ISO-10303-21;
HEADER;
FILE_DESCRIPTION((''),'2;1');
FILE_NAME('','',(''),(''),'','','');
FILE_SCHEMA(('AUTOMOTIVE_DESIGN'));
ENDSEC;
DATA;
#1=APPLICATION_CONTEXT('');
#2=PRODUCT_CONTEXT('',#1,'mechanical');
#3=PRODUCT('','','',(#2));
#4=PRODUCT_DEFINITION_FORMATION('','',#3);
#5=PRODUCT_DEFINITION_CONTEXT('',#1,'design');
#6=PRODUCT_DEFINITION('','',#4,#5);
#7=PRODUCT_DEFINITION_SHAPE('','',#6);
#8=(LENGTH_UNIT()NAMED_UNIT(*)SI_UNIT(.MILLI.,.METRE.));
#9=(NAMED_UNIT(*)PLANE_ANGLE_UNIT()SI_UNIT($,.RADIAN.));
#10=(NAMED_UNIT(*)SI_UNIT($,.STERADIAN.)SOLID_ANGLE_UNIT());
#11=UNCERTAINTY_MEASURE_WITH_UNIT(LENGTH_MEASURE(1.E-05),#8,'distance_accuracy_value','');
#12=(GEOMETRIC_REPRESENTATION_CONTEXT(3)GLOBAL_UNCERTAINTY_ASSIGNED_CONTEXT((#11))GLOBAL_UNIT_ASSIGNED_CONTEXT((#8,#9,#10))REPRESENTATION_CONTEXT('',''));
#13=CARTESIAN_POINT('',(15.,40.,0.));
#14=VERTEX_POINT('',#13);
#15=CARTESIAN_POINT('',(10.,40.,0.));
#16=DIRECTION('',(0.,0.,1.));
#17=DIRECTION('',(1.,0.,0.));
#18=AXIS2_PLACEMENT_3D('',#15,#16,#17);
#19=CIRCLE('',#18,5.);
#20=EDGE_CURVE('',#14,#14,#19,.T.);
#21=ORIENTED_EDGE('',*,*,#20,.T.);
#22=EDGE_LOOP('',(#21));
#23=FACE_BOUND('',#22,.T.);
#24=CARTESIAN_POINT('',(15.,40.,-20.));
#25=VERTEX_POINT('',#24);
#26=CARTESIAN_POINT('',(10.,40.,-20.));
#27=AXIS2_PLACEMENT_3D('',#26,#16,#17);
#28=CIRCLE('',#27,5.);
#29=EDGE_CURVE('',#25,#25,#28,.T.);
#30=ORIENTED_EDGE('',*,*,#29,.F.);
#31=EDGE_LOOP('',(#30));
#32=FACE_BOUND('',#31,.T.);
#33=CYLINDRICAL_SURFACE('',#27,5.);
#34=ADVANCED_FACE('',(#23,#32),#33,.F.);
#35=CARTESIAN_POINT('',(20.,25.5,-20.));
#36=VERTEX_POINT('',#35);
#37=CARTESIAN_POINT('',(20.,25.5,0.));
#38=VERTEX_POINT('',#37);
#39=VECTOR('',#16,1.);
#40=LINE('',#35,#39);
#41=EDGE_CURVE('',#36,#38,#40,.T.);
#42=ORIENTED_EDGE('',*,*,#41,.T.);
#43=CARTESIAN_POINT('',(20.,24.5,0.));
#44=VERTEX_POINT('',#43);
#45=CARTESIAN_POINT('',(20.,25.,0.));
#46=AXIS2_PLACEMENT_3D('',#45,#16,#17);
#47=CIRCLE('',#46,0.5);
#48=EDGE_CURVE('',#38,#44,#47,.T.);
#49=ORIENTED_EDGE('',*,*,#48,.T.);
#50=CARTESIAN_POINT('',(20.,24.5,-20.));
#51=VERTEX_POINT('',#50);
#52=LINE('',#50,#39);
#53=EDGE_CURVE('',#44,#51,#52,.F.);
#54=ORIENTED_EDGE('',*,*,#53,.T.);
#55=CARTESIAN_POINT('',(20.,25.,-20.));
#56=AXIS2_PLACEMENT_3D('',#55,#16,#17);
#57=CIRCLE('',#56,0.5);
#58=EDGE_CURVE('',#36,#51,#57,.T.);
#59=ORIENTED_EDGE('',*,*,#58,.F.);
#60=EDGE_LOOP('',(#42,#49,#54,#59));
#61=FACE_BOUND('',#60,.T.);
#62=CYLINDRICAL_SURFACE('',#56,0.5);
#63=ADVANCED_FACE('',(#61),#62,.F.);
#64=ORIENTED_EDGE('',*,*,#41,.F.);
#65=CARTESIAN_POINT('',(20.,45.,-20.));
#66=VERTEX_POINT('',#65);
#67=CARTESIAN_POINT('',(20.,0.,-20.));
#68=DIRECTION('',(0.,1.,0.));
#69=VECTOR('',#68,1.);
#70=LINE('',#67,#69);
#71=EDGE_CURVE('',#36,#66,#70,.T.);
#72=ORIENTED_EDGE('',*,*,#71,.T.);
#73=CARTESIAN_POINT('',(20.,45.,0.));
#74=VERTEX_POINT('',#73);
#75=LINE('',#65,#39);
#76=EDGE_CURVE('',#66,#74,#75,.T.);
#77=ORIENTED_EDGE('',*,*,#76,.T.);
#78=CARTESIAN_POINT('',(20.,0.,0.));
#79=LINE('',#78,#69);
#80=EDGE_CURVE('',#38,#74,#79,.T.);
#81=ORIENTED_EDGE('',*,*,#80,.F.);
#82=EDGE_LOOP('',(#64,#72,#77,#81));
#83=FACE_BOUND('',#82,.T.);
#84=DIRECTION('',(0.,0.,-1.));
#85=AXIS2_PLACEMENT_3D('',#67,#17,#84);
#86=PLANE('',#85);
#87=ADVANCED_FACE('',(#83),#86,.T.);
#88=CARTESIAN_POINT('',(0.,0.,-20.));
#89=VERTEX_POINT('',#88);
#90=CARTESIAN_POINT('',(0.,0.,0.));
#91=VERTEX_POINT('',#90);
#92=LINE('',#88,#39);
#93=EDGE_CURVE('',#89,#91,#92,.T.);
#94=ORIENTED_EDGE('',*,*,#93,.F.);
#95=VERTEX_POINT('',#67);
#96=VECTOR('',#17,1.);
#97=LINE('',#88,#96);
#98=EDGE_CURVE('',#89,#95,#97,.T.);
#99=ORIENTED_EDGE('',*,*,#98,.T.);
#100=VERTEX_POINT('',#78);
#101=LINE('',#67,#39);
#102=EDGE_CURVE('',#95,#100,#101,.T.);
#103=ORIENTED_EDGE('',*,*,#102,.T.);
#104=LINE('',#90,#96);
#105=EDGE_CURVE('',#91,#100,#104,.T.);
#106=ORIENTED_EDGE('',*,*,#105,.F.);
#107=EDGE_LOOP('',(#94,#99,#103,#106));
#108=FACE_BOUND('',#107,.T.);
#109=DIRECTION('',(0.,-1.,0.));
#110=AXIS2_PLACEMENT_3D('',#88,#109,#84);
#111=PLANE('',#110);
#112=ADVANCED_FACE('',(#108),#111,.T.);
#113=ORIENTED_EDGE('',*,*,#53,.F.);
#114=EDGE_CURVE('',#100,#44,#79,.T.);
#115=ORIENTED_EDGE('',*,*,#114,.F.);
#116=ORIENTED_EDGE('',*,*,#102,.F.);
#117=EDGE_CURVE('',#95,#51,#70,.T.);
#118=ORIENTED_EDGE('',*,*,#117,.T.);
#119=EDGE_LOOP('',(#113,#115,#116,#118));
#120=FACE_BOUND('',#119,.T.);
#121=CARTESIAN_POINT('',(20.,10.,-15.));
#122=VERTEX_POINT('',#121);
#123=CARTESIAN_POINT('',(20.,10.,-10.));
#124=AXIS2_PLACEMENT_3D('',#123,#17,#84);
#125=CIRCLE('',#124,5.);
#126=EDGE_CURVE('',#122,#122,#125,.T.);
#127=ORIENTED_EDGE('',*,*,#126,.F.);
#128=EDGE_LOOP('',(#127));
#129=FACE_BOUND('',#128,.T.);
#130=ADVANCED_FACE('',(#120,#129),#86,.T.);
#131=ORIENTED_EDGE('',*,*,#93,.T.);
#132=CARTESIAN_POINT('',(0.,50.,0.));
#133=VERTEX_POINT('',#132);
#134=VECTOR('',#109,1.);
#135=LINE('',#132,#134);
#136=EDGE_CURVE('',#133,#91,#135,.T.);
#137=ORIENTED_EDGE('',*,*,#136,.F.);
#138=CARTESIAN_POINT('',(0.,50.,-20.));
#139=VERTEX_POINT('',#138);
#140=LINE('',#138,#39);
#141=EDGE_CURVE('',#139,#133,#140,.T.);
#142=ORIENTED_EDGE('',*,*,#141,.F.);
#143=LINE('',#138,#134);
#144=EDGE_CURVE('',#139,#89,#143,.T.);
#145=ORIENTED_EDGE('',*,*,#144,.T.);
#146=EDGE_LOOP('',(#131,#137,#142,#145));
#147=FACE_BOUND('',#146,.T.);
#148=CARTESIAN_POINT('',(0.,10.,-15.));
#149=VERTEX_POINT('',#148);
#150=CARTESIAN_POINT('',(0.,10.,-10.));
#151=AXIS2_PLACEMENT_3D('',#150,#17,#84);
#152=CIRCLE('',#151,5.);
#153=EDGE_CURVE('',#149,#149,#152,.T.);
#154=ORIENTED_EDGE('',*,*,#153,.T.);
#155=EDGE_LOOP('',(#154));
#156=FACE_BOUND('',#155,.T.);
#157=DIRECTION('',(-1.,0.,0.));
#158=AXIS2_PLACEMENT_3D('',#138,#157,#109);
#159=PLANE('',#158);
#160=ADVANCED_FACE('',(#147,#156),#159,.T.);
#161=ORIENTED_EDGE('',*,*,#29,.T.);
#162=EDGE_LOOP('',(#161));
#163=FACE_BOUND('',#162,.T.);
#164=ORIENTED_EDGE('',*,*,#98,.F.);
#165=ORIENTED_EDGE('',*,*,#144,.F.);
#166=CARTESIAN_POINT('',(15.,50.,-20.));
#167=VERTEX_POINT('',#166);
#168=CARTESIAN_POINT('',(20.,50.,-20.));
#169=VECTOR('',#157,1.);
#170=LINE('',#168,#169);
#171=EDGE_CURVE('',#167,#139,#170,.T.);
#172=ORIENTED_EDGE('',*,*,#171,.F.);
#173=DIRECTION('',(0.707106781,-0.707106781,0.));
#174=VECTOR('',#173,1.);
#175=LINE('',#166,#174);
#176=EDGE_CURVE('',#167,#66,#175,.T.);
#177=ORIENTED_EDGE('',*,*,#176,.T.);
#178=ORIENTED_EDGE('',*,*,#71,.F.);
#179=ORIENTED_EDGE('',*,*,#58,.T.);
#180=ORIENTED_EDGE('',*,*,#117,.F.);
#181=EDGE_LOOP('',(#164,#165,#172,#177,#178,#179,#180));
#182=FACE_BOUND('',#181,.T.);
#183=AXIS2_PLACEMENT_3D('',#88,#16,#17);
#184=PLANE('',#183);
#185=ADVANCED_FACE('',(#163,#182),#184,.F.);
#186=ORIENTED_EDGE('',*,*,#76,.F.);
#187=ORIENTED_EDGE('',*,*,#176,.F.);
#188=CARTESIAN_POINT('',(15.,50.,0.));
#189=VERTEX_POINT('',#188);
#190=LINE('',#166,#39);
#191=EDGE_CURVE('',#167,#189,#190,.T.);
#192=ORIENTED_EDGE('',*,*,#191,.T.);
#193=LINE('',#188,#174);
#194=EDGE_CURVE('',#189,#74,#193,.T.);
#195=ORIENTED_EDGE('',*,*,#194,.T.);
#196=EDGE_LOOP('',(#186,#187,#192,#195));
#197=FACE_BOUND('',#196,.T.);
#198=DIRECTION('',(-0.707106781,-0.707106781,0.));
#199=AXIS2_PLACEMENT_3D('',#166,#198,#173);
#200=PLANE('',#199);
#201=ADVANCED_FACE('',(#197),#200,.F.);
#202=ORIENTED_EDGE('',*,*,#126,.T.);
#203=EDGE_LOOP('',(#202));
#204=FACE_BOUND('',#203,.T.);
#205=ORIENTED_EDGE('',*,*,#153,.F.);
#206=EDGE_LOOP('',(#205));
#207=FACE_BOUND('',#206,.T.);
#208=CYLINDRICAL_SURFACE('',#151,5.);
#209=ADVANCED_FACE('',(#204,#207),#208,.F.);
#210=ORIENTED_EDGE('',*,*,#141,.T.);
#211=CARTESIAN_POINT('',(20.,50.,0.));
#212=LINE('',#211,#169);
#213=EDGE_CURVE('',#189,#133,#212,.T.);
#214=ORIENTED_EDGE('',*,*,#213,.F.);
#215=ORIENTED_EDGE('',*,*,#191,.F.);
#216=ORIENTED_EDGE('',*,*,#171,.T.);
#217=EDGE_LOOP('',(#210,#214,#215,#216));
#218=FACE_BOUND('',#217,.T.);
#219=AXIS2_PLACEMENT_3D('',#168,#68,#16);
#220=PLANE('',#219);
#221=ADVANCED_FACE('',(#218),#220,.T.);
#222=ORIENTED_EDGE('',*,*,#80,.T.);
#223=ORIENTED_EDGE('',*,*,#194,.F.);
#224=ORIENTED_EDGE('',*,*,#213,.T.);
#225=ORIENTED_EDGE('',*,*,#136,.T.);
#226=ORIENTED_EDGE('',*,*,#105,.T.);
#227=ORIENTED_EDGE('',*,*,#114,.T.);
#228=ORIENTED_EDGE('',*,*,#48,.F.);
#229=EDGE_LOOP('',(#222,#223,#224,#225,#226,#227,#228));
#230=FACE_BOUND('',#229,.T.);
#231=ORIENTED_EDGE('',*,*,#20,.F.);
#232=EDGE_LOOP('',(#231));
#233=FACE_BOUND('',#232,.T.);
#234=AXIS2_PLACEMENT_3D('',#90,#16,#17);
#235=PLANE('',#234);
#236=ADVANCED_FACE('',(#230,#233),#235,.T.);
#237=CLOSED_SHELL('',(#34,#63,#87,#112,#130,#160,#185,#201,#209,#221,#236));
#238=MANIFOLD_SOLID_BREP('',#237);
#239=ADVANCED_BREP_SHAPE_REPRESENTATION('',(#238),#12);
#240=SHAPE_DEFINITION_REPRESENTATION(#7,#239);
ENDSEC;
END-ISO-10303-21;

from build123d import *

# Parameters (mm, degrees)
SKETCH1_W           = 20
SKETCH1_H           = 50
BOSS_EXTRUDE1_DEPTH = 20
CUT_EXTRUDE1_DEPTH  = 58.445626465
SKETCH3_R           = 5
CUT_EXTRUDE2_DEPTH  = 58.445626465
SKETCH4_R           = 5
CUT_EXTRUDE3_DEPTH  = 58.445626465
SKETCH5_R           = 0.5
CUT_EXTRUDE4_DEPTH  = 58.445626465


with BuildPart() as part:
    # Sketch1 → Boss-Extrude1 (new body)
    with BuildSketch(Plane.XY):
        with Locations((10, 25)):
            Rectangle(SKETCH1_W, SKETCH1_H)
    extrude(amount=-BOSS_EXTRUDE1_DEPTH)

    # Sketch2 → Cut-Extrude1 (cut, through all)
    with BuildSketch(Plane.XY):
        Polygon((20, 50), (20, 45), (15, 50), align=None)
    extrude(amount=-CUT_EXTRUDE1_DEPTH, mode=Mode.SUBTRACT)

    # Sketch3 → Cut-Extrude2 (cut, through all)
    with BuildSketch(Plane(origin=(20, 0, 0), x_dir=(0, 0, -1), z_dir=(1, 0, 0))):
        with Locations((10, 10)):
            Circle(SKETCH3_R)
    extrude(amount=-CUT_EXTRUDE2_DEPTH, mode=Mode.SUBTRACT)

    # Sketch4 → Cut-Extrude3 (cut, through all)
    with BuildSketch(Plane.XY):
        with Locations((10, 40)):
            Circle(SKETCH4_R)
    extrude(amount=-CUT_EXTRUDE3_DEPTH, mode=Mode.SUBTRACT)

    # Sketch5 → Cut-Extrude4 (cut, through all)
    with BuildSketch(Plane.XY):
        with Locations((20, 25)):
            Circle(SKETCH5_R)
    extrude(amount=-CUT_EXTRUDE4_DEPTH, mode=Mode.SUBTRACT)


solid = part.part
